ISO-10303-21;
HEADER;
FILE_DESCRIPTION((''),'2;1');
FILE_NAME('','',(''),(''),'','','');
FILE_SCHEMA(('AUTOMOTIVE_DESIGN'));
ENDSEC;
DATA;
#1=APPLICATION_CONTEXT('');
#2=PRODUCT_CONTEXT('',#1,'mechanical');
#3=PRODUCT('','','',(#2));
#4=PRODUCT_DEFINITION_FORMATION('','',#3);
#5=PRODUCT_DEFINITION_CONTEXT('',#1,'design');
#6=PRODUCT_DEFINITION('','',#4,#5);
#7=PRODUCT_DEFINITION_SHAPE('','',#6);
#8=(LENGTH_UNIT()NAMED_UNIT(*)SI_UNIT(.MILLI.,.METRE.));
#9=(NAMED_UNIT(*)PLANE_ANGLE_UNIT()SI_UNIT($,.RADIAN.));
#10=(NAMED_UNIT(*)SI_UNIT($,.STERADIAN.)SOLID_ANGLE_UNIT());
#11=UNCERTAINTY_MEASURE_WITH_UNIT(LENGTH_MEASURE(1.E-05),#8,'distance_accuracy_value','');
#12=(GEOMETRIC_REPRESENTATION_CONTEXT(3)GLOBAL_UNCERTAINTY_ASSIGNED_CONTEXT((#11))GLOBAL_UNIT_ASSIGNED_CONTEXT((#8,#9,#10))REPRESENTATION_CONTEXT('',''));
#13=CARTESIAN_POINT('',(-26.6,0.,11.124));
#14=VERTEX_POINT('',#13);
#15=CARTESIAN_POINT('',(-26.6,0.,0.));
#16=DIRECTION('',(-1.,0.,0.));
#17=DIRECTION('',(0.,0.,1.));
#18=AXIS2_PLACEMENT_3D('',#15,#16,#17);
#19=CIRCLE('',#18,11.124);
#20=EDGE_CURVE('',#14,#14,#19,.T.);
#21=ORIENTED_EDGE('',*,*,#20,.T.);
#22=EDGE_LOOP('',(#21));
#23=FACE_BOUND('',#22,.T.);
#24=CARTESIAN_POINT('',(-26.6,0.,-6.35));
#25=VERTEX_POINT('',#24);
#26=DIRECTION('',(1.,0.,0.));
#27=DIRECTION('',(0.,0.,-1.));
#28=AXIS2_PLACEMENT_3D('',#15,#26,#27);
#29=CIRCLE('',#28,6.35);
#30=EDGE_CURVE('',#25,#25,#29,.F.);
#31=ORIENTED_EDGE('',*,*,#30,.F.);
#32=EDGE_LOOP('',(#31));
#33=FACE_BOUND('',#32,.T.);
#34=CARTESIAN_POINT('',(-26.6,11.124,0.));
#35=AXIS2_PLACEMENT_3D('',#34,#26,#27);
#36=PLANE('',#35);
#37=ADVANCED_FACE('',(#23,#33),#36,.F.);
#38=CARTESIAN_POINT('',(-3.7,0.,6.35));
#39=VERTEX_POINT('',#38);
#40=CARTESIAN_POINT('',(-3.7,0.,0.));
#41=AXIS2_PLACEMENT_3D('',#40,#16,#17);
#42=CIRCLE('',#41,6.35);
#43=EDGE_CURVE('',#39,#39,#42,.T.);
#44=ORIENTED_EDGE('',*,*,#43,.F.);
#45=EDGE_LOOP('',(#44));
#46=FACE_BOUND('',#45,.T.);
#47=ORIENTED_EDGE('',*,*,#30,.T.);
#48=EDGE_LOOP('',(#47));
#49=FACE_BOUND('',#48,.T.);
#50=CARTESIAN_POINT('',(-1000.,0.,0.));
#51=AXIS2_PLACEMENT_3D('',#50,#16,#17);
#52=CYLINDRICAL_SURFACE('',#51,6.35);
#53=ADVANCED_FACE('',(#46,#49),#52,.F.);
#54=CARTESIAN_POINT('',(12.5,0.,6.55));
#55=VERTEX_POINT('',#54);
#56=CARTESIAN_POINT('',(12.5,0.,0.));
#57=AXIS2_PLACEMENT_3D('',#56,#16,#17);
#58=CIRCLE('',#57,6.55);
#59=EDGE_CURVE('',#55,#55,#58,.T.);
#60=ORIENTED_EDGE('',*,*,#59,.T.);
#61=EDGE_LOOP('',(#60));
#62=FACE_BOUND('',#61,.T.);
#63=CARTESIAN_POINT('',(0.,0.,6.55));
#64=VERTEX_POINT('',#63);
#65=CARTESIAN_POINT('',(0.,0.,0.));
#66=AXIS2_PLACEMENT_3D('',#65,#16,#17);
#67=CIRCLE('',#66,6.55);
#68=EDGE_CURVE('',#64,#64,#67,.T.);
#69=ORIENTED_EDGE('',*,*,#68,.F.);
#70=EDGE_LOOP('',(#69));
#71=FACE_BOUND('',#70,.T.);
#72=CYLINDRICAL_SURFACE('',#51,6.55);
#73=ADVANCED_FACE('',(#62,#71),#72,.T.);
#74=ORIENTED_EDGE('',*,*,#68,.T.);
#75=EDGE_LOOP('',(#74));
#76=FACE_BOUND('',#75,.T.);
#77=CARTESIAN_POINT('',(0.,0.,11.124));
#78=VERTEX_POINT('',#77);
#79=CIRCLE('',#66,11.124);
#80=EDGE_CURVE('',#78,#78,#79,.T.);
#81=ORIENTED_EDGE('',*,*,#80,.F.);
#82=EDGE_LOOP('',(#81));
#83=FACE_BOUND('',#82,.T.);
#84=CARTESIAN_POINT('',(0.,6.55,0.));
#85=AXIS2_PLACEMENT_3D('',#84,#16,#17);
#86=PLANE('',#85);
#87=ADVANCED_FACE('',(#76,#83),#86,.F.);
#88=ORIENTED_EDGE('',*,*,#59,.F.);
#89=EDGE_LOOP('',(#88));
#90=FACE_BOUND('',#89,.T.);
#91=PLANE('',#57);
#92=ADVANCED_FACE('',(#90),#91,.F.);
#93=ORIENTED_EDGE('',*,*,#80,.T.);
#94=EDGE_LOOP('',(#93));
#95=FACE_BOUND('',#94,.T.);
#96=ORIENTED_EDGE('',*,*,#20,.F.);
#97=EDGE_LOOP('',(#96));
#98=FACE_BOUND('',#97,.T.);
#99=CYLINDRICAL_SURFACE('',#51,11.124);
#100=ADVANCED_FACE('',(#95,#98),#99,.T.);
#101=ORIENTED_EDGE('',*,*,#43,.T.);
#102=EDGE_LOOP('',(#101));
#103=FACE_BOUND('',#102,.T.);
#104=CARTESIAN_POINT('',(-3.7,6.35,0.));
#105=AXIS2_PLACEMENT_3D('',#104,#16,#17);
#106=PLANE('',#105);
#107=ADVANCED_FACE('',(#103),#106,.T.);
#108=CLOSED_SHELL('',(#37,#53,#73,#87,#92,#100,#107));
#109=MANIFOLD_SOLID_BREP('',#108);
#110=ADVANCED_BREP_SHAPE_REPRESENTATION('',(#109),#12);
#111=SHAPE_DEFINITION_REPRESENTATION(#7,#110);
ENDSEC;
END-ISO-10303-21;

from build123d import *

# Parameters (mm, degrees)
SOCKET_SKETCH_W = 23.9
SOCKET_SKETCH_H = 6.35


with BuildPart() as part:
    # Conn_T8_ORB6 Sketch → Conn_T8_ORB6 (revolve)
    with BuildSketch(Plane.XY):
        Polygon((12.5, 0), (12.5, 6.55), (0, 6.55), (0, 11.124), (-26.6, 11.124), (-26.6, 0), align=None)
    revolve(axis=Axis((-1000, 0, 0), (1, 0, 0)))

    # Socket Sketch → Socket (revolve, cut)
    with BuildSketch(Plane.XY):
        with Locations((-15.65, 3.175)):
            Rectangle(SOCKET_SKETCH_W, SOCKET_SKETCH_H)
    revolve(axis=Axis((-1000, 0, 0), (1, 0, 0)), mode=Mode.SUBTRACT)


solid = part.part
